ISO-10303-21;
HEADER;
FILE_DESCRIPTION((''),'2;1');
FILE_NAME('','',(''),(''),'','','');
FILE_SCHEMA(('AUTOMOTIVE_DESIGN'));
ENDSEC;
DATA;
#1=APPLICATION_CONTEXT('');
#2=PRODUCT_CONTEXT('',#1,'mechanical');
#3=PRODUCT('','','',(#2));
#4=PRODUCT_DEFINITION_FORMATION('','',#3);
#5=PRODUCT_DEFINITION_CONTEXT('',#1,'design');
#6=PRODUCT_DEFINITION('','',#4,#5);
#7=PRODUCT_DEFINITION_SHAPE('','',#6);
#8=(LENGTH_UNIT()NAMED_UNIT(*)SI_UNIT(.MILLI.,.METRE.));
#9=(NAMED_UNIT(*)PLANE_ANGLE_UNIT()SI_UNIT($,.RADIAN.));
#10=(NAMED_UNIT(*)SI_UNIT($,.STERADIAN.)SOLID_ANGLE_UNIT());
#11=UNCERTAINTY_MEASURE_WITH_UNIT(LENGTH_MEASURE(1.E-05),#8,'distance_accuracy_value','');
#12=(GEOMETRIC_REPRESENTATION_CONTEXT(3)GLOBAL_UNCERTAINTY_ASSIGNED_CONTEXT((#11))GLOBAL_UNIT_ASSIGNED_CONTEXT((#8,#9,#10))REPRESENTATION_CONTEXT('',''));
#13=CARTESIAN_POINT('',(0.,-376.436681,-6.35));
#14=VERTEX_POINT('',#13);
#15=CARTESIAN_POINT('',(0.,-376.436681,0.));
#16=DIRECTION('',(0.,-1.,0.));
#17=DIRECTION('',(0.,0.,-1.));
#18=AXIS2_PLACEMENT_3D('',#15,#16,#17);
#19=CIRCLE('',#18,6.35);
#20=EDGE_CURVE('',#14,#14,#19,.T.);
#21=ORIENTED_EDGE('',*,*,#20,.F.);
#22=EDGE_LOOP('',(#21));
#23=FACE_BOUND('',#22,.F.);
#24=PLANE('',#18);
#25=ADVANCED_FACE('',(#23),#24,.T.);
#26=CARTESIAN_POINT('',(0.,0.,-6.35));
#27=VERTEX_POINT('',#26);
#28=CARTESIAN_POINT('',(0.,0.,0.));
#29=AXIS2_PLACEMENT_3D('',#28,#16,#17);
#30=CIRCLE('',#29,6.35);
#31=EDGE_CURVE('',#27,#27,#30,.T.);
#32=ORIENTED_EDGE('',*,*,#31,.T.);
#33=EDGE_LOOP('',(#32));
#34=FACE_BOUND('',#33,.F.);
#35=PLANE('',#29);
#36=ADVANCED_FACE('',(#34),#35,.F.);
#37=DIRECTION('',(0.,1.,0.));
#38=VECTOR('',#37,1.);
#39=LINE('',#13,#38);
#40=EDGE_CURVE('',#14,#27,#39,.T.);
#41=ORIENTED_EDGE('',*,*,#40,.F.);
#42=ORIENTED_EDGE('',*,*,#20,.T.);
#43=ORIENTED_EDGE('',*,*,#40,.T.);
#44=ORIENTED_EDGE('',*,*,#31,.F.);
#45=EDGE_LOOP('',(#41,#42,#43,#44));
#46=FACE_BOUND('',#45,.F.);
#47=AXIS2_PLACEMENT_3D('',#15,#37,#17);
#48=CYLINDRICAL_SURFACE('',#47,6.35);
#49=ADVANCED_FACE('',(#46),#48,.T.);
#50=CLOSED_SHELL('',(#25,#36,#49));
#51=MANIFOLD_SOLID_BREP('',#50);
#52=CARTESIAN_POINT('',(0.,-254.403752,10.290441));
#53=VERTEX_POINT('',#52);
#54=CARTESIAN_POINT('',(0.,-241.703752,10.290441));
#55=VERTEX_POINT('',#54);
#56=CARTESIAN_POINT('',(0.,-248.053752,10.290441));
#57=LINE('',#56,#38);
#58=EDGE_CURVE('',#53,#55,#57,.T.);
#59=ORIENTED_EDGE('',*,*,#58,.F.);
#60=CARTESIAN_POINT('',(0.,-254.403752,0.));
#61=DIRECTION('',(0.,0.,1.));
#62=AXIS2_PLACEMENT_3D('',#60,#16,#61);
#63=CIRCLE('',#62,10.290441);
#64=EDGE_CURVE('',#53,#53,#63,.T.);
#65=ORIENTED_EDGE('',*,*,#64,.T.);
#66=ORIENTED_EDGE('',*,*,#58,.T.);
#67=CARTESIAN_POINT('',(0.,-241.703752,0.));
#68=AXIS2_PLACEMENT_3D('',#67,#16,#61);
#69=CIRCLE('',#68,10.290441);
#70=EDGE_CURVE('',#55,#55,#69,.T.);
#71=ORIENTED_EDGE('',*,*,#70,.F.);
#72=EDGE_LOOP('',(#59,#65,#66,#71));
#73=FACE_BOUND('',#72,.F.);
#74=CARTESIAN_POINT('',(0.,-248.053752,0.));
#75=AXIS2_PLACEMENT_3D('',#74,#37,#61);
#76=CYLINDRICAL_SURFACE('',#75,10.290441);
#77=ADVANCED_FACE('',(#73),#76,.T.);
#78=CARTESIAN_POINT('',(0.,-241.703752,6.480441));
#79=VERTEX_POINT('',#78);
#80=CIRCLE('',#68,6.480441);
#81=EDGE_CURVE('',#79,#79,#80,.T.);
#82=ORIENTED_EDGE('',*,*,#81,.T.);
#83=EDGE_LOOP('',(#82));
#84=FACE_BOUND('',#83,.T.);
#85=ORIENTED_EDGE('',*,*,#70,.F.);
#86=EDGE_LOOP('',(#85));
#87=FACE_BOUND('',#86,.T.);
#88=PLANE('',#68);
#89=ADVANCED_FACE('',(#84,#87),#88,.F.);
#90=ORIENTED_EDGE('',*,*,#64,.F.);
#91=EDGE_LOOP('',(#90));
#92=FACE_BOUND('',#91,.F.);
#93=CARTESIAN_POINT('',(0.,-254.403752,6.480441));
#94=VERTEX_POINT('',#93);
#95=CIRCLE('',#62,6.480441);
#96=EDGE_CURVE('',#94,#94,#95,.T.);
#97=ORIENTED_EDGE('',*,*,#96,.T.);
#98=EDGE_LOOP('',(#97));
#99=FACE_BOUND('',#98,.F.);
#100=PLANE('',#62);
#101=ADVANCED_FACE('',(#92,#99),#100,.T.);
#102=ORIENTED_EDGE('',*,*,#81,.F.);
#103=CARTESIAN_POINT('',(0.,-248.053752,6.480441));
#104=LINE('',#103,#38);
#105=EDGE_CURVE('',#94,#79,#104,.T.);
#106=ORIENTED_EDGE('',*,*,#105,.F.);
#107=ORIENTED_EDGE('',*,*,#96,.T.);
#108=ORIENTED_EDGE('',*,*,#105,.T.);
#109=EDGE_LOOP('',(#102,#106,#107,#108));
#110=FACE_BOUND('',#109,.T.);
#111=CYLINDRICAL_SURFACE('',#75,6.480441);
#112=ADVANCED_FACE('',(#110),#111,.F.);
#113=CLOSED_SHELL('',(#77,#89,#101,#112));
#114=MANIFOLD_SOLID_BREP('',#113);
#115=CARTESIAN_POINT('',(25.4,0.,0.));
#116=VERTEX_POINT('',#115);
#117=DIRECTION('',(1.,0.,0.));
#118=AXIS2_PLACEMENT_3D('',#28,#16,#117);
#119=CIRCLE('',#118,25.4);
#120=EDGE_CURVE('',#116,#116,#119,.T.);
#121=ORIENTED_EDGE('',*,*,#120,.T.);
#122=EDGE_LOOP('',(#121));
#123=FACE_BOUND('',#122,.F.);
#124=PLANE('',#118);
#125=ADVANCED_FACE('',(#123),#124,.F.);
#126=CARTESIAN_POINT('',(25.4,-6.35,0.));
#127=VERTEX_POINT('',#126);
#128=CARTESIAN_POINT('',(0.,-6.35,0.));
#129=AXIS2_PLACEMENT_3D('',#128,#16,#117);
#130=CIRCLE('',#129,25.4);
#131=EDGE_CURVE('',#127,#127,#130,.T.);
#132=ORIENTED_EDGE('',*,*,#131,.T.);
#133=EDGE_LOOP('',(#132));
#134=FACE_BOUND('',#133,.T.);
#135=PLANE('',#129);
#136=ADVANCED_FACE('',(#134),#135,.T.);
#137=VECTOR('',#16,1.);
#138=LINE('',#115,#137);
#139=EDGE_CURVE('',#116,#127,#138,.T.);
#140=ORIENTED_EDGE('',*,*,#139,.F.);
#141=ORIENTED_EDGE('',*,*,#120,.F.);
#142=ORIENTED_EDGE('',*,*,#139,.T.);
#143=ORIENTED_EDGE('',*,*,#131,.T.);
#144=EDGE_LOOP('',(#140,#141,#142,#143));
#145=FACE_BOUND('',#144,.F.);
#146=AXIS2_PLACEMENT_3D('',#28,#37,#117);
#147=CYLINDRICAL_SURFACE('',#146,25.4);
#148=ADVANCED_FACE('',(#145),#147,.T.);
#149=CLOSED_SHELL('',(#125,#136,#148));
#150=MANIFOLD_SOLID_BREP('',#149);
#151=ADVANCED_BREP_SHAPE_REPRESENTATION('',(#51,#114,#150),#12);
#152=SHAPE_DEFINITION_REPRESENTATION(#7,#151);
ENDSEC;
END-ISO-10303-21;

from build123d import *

# Parameters (mm, degrees)
F2_R     = 25.4
F3_DEPTH = 6.35
F4_W     = 12.7
F4_H     = 3.81


with BuildPart() as f1:
    # F0 (on Right) → F1 (revolve)
    with BuildSketch(Plane.YZ):
        Polygon((0, -6.35), (0, 0), (-304.8, 0), (-376.4366805553, 0), (-376.4366805553, -6.35), (-304.8, -6.35), align=None)
    revolve(axis=Axis((0, -152.4, 0), (0, -1, 0)))


with BuildPart() as f3:
    # F2 (on Front) → F3 (new body)
    with BuildSketch(Plane.XZ):
        Circle(F2_R)
    extrude(amount=F3_DEPTH)


with BuildPart() as f5:
    # F4 (on Right) → F5 (revolve)
    with BuildSketch(Plane.YZ):
        with Locations((-248.0537518859, 8.3854413971)):
            Rectangle(F4_W, F4_H)
    revolve(axis=Axis((0, -152.4, 0), (0, -1, 0)))


solid = Compound([f1.part, f3.part, f5.part])
